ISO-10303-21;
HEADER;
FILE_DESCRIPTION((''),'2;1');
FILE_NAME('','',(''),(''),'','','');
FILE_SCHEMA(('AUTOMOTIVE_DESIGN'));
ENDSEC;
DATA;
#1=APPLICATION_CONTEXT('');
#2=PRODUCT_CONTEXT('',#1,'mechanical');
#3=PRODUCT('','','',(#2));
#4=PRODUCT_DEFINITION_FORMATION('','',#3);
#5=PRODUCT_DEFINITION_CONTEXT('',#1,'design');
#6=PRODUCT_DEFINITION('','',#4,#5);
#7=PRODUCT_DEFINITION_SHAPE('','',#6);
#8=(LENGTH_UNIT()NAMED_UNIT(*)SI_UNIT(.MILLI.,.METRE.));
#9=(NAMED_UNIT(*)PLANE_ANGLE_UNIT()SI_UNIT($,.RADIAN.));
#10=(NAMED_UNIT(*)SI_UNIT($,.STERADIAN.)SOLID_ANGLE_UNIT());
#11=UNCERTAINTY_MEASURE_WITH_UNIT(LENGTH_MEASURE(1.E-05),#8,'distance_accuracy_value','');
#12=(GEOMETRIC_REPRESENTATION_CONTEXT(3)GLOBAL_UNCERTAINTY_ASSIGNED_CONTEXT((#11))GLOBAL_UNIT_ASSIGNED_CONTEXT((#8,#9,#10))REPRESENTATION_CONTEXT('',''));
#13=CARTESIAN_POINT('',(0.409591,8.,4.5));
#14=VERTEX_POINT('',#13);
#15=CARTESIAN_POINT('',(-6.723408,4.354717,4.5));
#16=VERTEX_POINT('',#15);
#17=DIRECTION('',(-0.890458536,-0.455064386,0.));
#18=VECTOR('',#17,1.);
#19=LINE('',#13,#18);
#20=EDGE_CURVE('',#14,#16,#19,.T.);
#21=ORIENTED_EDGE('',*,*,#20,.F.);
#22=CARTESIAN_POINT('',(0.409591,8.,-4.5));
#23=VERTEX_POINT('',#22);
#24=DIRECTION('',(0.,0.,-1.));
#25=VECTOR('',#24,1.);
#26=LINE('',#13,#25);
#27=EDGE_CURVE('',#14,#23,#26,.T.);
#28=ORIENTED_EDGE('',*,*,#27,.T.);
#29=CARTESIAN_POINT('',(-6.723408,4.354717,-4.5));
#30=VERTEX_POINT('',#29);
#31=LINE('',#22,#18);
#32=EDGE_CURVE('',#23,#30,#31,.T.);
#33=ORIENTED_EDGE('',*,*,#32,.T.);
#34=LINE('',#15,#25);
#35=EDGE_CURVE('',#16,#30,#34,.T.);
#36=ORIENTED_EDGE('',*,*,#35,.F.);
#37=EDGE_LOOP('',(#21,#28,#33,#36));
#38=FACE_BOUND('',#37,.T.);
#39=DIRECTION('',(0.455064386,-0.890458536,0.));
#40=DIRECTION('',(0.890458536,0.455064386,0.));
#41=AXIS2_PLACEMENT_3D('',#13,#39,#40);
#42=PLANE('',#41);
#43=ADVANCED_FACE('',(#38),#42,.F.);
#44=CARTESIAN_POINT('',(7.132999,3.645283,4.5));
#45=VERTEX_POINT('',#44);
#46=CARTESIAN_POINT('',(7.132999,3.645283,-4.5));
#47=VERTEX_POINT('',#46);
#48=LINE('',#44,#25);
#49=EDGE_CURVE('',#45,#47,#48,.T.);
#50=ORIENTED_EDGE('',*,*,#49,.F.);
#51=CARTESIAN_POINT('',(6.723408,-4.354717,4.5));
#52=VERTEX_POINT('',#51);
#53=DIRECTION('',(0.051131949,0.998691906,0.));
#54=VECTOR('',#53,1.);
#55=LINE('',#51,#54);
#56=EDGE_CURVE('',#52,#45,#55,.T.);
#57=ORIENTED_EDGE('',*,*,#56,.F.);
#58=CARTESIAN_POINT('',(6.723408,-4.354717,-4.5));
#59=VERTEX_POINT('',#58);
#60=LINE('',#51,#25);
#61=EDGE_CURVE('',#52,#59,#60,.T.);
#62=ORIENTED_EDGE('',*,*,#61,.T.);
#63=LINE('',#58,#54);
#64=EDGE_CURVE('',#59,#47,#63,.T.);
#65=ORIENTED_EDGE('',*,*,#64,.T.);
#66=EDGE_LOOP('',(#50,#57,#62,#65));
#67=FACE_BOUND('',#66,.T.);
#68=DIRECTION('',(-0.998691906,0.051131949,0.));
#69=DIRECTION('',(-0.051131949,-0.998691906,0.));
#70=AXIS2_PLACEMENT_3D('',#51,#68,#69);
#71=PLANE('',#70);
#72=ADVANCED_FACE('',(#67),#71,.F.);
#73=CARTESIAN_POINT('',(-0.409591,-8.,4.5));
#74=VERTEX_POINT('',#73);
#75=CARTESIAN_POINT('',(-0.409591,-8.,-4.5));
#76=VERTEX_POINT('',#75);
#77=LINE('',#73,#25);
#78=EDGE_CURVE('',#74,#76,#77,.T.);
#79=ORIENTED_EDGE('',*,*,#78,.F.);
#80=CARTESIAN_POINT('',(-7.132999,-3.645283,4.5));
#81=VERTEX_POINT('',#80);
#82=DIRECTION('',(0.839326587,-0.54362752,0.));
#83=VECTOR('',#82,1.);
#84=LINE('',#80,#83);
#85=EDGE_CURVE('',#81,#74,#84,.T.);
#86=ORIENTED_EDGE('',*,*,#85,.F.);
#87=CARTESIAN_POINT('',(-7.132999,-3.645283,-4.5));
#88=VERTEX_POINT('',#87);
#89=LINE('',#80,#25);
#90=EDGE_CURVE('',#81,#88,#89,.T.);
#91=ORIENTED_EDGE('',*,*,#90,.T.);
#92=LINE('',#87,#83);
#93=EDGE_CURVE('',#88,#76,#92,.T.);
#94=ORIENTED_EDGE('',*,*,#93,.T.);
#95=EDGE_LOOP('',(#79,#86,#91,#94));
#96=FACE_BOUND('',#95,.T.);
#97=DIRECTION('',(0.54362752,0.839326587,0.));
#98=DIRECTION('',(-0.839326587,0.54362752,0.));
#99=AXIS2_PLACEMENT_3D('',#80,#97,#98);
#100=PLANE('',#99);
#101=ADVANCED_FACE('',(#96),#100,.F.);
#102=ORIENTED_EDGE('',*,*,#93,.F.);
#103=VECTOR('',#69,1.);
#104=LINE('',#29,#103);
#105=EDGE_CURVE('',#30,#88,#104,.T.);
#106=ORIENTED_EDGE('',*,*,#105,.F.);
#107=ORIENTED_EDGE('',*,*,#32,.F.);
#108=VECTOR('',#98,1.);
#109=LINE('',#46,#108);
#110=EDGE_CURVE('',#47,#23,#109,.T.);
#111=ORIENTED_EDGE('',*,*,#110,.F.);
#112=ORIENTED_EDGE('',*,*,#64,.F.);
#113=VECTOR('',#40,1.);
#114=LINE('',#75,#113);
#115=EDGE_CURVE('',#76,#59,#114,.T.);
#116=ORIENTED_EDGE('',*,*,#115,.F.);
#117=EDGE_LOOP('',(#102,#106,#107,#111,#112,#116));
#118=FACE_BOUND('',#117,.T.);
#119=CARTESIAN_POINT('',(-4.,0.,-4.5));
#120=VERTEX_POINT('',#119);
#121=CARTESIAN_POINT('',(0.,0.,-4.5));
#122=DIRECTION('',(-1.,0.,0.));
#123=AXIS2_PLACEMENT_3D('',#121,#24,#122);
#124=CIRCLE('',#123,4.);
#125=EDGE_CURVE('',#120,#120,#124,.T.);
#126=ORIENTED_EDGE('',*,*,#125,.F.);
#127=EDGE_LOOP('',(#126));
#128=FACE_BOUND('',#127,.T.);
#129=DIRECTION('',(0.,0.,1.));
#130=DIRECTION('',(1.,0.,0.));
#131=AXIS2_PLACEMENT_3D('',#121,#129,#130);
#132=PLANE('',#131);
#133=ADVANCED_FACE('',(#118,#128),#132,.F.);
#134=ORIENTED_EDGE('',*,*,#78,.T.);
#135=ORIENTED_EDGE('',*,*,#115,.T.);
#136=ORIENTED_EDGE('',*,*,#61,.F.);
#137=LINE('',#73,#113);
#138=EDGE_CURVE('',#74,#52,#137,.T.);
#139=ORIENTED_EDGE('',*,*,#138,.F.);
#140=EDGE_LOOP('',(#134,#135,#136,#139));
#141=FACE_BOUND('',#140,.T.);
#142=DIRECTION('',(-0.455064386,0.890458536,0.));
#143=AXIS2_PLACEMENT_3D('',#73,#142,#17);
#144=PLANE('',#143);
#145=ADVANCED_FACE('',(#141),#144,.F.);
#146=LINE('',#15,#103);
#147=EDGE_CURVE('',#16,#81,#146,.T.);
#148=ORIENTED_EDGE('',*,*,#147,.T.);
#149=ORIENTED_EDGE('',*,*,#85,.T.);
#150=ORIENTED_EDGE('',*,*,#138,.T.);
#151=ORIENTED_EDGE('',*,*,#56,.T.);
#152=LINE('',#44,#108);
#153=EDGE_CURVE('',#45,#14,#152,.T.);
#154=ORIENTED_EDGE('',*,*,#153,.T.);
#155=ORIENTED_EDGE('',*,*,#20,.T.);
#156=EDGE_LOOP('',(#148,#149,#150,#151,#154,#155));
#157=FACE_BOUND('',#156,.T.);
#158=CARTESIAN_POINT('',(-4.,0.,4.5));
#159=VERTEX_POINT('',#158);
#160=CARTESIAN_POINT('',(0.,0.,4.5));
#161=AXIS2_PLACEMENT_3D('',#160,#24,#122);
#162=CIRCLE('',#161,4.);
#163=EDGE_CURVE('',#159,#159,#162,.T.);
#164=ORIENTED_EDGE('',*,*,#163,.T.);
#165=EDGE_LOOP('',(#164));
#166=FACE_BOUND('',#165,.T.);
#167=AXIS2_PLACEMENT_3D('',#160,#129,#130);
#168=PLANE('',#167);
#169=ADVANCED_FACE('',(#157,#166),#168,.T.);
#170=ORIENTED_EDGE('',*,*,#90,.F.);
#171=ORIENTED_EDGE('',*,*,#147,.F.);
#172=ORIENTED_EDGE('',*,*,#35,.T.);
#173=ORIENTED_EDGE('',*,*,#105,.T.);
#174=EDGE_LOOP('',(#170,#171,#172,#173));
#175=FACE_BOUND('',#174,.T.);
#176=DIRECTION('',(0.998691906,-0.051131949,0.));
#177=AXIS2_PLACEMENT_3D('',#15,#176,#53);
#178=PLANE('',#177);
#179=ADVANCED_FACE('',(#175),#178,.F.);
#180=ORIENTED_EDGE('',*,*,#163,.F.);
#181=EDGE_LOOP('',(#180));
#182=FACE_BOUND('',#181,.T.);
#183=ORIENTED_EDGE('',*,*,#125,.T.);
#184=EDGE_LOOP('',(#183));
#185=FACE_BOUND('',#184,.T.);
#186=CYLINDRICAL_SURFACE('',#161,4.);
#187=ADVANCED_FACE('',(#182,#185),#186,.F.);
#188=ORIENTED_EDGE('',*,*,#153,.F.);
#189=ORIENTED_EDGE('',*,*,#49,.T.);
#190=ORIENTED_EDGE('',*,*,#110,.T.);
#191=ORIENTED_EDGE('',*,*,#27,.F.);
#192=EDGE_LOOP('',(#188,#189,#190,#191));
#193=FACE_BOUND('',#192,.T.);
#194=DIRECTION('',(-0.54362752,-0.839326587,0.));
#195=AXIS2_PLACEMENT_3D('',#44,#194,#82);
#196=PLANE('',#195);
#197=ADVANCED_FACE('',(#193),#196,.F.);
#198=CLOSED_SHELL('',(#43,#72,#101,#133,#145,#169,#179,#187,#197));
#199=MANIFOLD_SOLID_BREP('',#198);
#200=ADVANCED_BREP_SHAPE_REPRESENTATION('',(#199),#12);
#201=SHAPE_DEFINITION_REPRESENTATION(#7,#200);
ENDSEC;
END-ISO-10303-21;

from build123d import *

# Parameters (mm, degrees)
BOSS_EXTRUDE1_DEPTH = 4.5
SKETCH2_R           = 4
CUT_EXTRUDE1_DEPTH  = 9


with BuildPart() as part:
    # Sketch1 → Boss-Extrude1 (new body, symmetric)
    with BuildSketch(Plane.XY):
        Polygon((6.723407542, -4.354716537), (7.132998919, 3.645283463), (0.409591377, 8), (-6.723407542, 4.354716537), (-7.132998919, -3.645283463), (-0.409591377, -8), align=None)
    extrude(amount=BOSS_EXTRUDE1_DEPTH, both=True)

    # Sketch2 → Cut-Extrude1 (cut)
    with BuildSketch(Plane(origin=(0, 0, -4.5), x_dir=(-1, 0, 0), z_dir=(0, 0, -1))):
        Circle(SKETCH2_R)
    extrude(amount=-CUT_EXTRUDE1_DEPTH, mode=Mode.SUBTRACT)


solid = part.part
